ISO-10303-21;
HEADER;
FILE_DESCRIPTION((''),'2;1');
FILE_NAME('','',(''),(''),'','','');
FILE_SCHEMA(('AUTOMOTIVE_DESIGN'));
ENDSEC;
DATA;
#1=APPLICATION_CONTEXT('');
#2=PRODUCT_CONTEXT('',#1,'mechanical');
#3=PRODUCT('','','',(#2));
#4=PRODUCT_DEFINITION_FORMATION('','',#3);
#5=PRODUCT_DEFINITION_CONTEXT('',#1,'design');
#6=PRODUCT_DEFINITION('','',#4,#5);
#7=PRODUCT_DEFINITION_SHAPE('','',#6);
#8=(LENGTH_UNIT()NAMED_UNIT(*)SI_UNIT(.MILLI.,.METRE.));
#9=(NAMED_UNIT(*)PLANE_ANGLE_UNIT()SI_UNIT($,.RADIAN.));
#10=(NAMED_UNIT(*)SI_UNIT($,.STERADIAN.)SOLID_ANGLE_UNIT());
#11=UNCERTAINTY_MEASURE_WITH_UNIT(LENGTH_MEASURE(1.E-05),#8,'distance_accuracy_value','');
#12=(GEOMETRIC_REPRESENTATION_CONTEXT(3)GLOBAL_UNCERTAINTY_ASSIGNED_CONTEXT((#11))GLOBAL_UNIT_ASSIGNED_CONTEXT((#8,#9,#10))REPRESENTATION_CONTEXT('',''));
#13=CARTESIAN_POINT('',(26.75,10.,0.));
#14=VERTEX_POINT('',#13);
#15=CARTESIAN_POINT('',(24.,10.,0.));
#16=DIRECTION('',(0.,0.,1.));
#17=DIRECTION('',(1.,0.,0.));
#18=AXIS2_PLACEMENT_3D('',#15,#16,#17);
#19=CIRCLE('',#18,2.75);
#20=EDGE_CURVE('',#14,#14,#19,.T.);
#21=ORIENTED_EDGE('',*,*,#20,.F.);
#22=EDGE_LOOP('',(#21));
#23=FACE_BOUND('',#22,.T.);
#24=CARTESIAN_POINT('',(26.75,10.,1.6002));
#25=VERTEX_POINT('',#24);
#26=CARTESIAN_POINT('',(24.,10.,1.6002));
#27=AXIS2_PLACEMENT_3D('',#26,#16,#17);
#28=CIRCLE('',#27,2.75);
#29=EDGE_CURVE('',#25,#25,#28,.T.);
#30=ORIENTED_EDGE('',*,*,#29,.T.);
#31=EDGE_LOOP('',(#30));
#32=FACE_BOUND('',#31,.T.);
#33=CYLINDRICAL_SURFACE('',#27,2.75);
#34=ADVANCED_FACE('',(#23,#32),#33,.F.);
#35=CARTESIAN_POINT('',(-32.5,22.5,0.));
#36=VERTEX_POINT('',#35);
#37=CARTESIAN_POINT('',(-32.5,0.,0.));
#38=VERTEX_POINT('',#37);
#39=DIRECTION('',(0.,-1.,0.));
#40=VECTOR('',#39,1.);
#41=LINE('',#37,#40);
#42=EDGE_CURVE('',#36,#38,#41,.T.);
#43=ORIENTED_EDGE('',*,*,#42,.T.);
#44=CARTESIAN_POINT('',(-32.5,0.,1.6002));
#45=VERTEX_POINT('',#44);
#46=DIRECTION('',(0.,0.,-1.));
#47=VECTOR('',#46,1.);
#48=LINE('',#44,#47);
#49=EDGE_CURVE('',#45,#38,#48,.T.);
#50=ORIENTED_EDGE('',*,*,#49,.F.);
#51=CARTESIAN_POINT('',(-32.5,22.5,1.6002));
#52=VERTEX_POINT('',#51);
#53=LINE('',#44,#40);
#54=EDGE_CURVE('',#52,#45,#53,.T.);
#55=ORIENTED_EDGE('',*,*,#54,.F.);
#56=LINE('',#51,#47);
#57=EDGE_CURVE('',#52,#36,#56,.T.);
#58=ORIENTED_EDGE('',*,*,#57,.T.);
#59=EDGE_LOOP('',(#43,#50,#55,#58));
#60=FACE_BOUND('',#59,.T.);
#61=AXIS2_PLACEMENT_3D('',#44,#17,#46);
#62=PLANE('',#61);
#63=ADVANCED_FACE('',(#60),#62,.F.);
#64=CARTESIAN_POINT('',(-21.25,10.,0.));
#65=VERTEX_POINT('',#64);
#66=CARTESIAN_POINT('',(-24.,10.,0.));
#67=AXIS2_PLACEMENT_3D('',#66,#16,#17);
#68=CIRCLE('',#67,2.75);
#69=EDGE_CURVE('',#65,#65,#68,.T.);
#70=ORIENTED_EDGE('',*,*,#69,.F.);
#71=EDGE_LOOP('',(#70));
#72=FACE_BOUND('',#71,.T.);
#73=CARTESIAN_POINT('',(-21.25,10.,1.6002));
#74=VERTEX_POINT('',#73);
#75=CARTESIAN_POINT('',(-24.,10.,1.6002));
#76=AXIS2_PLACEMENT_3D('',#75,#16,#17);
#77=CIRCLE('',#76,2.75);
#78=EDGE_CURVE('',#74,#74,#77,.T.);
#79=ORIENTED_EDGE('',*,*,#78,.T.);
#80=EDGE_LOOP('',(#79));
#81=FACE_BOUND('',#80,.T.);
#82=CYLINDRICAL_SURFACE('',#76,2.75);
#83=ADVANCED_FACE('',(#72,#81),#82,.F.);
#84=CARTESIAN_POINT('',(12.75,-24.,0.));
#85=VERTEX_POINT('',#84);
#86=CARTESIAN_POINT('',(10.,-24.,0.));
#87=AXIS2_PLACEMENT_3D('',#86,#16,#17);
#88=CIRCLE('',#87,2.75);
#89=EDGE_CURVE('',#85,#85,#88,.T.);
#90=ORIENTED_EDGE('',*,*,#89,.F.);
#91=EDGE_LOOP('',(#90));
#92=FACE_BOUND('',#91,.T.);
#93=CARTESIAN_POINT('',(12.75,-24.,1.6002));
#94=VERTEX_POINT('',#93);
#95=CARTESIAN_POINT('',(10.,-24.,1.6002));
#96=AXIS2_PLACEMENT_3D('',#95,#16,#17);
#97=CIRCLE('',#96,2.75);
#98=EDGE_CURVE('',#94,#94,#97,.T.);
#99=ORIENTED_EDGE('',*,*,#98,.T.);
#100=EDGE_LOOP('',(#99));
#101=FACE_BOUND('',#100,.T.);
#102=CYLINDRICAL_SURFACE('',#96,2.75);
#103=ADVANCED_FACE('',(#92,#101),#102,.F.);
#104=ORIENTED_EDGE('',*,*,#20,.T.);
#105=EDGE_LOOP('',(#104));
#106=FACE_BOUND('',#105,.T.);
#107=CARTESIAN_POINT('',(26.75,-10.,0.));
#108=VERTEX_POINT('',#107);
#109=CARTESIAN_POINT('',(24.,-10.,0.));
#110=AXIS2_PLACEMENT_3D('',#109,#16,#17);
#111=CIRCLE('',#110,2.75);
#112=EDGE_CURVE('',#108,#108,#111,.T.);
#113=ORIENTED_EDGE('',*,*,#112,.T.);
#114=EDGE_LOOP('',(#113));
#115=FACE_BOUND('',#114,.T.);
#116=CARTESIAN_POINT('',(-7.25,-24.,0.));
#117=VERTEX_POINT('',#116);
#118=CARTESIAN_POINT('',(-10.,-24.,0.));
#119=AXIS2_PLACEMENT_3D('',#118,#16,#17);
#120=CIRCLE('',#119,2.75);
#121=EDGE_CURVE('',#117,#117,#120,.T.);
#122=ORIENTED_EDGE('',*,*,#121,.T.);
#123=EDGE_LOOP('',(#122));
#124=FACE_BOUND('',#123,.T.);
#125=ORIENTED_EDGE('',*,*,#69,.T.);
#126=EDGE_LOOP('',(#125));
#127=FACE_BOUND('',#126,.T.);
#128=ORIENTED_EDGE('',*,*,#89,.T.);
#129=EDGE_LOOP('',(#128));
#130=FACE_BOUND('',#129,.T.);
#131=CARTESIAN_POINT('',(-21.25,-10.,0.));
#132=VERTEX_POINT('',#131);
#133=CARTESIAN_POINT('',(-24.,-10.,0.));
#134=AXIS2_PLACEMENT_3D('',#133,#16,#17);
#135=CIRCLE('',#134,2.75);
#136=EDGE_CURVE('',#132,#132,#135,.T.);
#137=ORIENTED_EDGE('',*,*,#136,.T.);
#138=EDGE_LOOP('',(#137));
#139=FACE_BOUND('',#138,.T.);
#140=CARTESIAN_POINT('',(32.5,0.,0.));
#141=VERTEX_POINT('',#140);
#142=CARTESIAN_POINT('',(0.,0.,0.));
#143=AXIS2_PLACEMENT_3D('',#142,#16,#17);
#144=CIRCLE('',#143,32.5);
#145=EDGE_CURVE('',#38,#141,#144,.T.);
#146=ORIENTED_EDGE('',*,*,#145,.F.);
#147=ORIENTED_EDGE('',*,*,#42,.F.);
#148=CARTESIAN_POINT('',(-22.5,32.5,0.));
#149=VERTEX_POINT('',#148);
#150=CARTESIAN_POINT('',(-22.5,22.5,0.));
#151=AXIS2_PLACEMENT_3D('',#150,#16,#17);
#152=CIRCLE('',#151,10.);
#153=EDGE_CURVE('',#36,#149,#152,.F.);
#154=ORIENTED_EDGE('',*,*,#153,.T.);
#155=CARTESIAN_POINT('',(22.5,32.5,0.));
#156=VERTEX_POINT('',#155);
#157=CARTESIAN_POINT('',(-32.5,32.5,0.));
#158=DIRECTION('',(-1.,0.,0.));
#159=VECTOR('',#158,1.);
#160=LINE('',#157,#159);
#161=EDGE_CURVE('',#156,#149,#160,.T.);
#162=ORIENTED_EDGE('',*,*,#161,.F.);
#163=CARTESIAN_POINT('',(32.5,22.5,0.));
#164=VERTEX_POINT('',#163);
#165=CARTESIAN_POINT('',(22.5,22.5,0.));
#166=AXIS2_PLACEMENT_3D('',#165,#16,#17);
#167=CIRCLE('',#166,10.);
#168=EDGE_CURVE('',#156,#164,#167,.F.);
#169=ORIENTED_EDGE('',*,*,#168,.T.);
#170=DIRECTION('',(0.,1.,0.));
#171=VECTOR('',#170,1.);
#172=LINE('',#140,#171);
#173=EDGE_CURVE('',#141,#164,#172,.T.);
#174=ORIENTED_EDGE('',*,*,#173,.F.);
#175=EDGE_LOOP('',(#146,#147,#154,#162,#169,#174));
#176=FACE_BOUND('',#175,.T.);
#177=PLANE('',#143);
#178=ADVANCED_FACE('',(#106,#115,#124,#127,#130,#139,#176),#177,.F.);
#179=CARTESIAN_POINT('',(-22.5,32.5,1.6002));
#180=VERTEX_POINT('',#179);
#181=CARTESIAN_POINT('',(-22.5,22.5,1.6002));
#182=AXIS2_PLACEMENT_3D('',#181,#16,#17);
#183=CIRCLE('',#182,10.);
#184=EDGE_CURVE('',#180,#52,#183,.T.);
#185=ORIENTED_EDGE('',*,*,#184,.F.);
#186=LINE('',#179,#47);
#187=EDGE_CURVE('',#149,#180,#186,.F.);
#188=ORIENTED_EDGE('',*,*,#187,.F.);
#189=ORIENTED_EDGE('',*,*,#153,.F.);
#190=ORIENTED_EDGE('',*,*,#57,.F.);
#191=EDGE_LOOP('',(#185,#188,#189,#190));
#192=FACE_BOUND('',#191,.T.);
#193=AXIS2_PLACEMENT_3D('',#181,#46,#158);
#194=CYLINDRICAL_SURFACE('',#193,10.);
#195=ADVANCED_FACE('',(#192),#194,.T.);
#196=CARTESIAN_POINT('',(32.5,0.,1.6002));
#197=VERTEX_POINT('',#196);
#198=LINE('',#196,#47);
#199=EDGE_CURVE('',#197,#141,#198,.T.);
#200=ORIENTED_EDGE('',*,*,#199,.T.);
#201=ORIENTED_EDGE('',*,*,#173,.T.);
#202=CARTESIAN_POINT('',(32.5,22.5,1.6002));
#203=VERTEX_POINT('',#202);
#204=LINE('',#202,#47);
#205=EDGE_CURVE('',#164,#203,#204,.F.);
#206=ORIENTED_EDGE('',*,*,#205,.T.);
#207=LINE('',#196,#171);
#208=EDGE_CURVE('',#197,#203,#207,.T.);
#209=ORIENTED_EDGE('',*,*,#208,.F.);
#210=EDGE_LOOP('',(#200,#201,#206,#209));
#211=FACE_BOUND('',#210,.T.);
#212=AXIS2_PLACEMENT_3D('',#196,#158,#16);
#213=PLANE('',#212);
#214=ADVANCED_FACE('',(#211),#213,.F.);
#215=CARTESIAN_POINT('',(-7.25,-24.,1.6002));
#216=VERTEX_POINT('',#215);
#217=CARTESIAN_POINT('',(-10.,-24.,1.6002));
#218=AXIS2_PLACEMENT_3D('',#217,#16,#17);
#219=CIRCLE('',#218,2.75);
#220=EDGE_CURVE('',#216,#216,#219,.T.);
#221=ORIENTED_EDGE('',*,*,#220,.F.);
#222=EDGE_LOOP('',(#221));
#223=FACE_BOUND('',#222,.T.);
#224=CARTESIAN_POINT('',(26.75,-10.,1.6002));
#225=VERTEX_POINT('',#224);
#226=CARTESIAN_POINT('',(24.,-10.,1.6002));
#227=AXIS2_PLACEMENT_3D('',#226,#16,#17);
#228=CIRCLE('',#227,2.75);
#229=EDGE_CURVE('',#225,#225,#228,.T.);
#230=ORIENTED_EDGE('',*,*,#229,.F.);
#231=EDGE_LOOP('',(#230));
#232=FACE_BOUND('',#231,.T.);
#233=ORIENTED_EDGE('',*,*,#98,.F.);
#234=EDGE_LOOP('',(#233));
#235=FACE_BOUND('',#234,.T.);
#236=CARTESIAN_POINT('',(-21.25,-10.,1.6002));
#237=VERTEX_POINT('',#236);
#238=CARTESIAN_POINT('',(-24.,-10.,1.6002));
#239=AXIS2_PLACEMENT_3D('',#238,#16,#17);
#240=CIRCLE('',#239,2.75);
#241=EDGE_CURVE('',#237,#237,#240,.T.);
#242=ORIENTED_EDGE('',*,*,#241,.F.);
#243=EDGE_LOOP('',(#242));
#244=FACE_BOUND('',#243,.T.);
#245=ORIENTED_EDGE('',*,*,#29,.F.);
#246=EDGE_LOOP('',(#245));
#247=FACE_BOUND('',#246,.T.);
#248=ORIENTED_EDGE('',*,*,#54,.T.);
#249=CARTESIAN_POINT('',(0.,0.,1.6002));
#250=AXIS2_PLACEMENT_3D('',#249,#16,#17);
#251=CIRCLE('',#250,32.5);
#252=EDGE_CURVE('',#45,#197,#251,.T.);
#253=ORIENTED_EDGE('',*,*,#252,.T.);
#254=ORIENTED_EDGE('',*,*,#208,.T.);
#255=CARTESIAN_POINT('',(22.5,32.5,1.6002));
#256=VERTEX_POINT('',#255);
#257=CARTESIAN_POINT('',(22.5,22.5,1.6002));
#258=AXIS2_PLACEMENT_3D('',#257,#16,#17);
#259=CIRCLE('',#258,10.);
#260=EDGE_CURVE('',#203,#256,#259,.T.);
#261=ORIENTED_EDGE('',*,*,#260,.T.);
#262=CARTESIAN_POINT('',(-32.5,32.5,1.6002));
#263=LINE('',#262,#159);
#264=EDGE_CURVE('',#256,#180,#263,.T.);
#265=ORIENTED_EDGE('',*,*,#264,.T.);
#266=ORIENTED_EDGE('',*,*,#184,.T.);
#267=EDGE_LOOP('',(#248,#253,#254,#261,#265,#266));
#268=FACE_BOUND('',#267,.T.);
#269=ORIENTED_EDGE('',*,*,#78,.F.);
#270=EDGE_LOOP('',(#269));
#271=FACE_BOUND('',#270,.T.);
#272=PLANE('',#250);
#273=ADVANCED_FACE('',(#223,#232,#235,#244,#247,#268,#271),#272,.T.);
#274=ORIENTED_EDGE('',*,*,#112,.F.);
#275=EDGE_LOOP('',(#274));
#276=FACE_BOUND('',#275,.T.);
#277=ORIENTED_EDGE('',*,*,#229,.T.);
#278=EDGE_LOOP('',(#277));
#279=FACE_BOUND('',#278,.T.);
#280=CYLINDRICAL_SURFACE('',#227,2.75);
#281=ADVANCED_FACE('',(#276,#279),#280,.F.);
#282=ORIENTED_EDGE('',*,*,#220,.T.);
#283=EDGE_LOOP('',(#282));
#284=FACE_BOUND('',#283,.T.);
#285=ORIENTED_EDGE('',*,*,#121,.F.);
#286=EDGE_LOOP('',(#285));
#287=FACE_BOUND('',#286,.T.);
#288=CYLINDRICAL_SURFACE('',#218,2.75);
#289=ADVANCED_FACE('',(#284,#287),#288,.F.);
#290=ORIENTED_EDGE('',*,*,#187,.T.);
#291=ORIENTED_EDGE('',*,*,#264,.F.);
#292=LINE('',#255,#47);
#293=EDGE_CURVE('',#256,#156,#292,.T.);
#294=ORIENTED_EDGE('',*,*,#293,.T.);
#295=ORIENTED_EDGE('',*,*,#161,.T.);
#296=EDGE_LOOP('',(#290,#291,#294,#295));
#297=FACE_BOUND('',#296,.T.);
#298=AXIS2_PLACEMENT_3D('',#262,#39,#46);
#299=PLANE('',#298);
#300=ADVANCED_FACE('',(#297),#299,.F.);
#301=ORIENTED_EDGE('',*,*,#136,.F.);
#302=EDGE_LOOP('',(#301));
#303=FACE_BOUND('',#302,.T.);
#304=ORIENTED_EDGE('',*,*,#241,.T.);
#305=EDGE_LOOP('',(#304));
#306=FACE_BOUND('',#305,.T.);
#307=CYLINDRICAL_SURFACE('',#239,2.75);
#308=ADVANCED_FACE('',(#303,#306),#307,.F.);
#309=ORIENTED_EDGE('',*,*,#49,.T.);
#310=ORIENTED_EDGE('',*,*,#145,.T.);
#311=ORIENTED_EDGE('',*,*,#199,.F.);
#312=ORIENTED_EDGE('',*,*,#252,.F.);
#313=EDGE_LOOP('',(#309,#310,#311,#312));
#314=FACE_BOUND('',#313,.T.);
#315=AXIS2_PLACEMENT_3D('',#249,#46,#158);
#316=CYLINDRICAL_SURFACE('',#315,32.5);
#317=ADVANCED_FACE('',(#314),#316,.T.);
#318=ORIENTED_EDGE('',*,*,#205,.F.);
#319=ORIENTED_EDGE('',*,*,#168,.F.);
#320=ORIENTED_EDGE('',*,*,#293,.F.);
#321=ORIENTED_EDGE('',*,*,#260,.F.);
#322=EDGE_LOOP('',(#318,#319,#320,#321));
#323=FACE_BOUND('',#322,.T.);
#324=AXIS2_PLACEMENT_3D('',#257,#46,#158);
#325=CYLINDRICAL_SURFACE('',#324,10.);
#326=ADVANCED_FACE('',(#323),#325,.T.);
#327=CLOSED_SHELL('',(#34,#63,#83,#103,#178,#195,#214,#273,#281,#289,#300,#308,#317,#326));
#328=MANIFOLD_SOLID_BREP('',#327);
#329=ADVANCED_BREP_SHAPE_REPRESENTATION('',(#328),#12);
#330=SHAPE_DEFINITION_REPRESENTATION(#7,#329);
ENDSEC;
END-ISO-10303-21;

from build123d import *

# Parameters (mm, degrees)
BOSS_EXTRUDE1_DEPTH  = 1.6002
M5_CLEARANCE_HOLE1_D = 5.5
FILLET1_R            = 10


with BuildPart() as part:
    # Sketch1 → Boss-Extrude1 (new body)
    with BuildSketch(Plane.XY):
        with BuildLine():
            Line((-32.5, 0), (-32.5, 32.5))
            Line((-32.5, 32.5), (32.5, 32.5))
            Line((32.5, 32.5), (32.5, 0))
            ThreePointArc((32.5, 0), (0, -32.5), (-32.5, 0))
        make_face()
    extrude(amount=BOSS_EXTRUDE1_DEPTH)

    # M5 Clearance Hole1 (through all)
    with Locations(Plane.XY.offset(1.6002)):
        with Locations((24, -10), (10, -24), (-10, -24), (-24, -10), (-24, 10), (24, 10)):
            Hole(M5_CLEARANCE_HOLE1_D / 2)

    # Fillet1
    fillet1_edges = [part.edges().sort_by_distance(p)[0] for p in [
        (-32.5, 32.5, 0.8001),
        (32.5, 32.5, 0.8001),
    ]]
    fillet(fillet1_edges, radius=FILLET1_R)


solid = part.part
